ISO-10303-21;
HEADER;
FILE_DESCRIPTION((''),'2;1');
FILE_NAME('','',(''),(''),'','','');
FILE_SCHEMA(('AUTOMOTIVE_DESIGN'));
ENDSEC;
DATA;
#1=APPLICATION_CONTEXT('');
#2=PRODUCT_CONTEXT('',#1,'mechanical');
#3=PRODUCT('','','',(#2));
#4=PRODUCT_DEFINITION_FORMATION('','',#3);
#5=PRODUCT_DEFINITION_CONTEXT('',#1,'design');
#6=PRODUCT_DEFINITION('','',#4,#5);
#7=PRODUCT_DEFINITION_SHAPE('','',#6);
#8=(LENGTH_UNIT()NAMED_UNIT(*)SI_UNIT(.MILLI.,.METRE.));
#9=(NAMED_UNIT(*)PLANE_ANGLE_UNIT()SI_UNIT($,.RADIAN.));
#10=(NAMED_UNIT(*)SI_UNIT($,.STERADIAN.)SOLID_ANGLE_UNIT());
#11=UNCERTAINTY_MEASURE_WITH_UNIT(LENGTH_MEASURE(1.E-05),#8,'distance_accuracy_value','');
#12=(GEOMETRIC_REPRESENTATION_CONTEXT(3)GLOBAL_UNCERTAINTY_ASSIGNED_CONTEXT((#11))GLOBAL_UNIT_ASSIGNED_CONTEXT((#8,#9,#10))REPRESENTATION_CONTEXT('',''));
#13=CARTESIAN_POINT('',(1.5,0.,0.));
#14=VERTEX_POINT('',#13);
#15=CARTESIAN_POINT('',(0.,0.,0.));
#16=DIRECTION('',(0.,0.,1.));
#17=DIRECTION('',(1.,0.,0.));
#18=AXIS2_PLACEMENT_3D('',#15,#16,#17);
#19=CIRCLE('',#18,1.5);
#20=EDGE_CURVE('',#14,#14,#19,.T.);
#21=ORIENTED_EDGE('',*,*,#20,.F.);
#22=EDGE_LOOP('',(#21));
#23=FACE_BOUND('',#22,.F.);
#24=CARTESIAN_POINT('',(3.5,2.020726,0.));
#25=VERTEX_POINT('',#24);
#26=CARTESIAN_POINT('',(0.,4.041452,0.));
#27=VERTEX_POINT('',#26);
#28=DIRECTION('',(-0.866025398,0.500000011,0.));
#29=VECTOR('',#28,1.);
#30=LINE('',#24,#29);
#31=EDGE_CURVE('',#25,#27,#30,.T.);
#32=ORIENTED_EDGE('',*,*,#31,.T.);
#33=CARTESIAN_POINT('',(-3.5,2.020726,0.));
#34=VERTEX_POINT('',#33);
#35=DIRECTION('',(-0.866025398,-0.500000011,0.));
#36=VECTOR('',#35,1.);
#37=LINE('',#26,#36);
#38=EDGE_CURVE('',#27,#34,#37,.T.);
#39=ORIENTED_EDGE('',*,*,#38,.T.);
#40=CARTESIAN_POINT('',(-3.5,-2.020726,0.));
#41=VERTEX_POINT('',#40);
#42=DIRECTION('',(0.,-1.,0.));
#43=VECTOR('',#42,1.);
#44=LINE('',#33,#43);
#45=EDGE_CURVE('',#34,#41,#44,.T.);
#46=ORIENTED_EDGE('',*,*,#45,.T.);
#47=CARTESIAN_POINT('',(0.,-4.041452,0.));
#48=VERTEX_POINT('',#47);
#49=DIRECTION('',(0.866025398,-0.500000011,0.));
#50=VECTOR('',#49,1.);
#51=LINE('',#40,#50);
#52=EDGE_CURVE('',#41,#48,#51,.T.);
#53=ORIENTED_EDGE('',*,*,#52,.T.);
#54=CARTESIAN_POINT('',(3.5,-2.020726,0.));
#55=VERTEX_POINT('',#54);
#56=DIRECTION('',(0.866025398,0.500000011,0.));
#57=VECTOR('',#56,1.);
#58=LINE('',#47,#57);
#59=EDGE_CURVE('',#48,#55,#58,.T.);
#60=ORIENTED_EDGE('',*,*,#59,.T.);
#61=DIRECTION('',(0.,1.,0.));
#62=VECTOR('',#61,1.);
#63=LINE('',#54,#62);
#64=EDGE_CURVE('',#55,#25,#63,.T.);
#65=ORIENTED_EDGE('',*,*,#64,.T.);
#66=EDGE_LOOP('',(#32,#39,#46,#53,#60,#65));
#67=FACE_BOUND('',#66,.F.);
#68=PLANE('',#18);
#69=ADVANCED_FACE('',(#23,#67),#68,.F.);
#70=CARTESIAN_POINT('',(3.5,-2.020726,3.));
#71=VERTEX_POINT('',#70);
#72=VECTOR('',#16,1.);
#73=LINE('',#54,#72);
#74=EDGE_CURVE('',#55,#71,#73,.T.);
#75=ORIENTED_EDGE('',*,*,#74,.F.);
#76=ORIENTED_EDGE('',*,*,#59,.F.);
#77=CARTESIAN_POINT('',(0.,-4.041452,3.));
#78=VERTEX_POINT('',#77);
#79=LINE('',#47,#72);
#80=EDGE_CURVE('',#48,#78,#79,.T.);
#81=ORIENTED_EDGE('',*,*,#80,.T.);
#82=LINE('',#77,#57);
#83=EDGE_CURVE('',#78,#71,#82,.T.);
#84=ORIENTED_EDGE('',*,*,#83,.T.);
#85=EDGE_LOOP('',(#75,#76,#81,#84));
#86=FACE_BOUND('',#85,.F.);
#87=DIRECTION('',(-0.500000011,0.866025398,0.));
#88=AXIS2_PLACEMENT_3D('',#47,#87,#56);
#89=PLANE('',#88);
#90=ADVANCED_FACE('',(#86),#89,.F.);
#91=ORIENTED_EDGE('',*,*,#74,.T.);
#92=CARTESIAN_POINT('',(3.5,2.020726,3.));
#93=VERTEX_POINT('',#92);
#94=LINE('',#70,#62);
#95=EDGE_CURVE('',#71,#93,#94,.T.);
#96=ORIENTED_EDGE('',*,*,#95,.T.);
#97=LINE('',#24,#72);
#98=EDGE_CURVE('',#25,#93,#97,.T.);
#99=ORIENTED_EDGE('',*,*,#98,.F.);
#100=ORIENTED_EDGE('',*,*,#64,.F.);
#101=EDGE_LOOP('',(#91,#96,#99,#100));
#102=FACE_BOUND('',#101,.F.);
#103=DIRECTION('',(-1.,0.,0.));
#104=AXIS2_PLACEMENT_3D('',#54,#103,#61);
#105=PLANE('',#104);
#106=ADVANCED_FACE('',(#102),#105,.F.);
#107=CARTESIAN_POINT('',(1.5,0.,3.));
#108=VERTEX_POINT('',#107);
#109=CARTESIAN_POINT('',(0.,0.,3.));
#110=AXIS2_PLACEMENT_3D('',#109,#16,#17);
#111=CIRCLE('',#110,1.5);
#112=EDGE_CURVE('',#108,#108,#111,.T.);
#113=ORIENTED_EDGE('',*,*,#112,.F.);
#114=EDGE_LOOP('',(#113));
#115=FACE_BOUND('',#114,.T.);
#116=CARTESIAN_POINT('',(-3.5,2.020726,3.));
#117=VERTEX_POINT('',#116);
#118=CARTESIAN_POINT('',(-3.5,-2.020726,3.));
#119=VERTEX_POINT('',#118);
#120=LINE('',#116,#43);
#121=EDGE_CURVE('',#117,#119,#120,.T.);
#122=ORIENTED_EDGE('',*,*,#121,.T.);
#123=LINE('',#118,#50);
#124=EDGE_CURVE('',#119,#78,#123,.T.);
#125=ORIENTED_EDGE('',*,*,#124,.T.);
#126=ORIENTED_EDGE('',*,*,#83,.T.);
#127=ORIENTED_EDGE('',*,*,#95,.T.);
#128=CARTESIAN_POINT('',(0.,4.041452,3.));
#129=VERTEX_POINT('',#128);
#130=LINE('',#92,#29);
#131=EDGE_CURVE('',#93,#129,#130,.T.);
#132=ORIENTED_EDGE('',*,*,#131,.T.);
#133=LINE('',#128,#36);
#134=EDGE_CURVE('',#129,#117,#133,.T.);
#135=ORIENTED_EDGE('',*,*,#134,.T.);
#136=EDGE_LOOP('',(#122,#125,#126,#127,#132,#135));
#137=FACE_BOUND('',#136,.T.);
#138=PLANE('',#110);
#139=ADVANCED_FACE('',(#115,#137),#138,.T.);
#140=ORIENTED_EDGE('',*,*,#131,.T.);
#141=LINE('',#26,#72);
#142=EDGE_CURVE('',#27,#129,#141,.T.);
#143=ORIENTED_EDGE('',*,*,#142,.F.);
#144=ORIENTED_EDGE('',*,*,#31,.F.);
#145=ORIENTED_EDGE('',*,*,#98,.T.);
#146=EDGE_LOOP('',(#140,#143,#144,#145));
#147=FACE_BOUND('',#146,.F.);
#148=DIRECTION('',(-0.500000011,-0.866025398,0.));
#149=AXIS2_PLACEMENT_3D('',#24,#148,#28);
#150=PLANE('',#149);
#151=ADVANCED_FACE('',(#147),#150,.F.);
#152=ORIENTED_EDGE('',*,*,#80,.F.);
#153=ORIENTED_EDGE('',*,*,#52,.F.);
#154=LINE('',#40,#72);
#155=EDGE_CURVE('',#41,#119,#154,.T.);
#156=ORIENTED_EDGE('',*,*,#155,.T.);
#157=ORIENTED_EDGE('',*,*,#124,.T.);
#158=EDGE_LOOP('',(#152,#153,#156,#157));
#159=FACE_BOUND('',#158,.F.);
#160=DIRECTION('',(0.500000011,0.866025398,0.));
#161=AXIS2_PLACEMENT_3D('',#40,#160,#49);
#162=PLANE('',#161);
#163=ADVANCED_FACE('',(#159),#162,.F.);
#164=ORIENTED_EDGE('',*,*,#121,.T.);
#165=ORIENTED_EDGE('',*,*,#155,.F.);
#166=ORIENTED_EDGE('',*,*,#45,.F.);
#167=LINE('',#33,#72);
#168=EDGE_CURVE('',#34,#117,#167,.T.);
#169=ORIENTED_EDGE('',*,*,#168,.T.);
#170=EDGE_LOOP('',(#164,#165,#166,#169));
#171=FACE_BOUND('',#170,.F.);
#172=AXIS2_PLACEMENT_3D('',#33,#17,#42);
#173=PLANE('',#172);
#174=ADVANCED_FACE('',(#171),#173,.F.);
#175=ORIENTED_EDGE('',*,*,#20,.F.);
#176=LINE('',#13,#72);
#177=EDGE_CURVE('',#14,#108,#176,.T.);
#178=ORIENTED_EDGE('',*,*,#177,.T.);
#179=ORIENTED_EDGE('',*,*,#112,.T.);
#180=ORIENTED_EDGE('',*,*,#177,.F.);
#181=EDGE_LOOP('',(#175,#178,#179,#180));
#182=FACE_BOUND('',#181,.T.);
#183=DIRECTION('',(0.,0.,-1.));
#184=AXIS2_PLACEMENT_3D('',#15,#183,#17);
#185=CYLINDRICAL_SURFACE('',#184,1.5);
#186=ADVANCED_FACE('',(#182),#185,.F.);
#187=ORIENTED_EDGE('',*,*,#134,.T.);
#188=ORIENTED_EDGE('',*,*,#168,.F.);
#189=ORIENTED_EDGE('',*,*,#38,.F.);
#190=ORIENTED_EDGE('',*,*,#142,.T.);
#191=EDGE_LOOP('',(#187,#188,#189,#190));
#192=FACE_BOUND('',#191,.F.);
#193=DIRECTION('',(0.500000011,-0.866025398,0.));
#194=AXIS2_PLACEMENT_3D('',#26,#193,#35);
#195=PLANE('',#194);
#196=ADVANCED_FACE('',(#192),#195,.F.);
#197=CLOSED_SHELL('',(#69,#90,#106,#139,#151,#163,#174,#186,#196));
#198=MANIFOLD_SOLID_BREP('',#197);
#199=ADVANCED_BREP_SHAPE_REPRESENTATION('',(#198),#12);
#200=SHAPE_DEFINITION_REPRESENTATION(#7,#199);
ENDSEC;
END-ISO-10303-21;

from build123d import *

# Parameters (mm, degrees)
F0_R     = 1.5
F1_DEPTH = 3


with BuildPart() as f1:
    # F0 (on Top) → F1 (new body)
    with BuildSketch(Plane.XY):
        Polygon((-3.5, 2.020726), (-3.5, -2.020726), (0, -4.041452), (3.5, -2.020726), (3.5, 2.020726), (0, 4.041452), align=None)
        Circle(F0_R, mode=Mode.SUBTRACT)
    extrude(amount=F1_DEPTH)


solid = f1.part
